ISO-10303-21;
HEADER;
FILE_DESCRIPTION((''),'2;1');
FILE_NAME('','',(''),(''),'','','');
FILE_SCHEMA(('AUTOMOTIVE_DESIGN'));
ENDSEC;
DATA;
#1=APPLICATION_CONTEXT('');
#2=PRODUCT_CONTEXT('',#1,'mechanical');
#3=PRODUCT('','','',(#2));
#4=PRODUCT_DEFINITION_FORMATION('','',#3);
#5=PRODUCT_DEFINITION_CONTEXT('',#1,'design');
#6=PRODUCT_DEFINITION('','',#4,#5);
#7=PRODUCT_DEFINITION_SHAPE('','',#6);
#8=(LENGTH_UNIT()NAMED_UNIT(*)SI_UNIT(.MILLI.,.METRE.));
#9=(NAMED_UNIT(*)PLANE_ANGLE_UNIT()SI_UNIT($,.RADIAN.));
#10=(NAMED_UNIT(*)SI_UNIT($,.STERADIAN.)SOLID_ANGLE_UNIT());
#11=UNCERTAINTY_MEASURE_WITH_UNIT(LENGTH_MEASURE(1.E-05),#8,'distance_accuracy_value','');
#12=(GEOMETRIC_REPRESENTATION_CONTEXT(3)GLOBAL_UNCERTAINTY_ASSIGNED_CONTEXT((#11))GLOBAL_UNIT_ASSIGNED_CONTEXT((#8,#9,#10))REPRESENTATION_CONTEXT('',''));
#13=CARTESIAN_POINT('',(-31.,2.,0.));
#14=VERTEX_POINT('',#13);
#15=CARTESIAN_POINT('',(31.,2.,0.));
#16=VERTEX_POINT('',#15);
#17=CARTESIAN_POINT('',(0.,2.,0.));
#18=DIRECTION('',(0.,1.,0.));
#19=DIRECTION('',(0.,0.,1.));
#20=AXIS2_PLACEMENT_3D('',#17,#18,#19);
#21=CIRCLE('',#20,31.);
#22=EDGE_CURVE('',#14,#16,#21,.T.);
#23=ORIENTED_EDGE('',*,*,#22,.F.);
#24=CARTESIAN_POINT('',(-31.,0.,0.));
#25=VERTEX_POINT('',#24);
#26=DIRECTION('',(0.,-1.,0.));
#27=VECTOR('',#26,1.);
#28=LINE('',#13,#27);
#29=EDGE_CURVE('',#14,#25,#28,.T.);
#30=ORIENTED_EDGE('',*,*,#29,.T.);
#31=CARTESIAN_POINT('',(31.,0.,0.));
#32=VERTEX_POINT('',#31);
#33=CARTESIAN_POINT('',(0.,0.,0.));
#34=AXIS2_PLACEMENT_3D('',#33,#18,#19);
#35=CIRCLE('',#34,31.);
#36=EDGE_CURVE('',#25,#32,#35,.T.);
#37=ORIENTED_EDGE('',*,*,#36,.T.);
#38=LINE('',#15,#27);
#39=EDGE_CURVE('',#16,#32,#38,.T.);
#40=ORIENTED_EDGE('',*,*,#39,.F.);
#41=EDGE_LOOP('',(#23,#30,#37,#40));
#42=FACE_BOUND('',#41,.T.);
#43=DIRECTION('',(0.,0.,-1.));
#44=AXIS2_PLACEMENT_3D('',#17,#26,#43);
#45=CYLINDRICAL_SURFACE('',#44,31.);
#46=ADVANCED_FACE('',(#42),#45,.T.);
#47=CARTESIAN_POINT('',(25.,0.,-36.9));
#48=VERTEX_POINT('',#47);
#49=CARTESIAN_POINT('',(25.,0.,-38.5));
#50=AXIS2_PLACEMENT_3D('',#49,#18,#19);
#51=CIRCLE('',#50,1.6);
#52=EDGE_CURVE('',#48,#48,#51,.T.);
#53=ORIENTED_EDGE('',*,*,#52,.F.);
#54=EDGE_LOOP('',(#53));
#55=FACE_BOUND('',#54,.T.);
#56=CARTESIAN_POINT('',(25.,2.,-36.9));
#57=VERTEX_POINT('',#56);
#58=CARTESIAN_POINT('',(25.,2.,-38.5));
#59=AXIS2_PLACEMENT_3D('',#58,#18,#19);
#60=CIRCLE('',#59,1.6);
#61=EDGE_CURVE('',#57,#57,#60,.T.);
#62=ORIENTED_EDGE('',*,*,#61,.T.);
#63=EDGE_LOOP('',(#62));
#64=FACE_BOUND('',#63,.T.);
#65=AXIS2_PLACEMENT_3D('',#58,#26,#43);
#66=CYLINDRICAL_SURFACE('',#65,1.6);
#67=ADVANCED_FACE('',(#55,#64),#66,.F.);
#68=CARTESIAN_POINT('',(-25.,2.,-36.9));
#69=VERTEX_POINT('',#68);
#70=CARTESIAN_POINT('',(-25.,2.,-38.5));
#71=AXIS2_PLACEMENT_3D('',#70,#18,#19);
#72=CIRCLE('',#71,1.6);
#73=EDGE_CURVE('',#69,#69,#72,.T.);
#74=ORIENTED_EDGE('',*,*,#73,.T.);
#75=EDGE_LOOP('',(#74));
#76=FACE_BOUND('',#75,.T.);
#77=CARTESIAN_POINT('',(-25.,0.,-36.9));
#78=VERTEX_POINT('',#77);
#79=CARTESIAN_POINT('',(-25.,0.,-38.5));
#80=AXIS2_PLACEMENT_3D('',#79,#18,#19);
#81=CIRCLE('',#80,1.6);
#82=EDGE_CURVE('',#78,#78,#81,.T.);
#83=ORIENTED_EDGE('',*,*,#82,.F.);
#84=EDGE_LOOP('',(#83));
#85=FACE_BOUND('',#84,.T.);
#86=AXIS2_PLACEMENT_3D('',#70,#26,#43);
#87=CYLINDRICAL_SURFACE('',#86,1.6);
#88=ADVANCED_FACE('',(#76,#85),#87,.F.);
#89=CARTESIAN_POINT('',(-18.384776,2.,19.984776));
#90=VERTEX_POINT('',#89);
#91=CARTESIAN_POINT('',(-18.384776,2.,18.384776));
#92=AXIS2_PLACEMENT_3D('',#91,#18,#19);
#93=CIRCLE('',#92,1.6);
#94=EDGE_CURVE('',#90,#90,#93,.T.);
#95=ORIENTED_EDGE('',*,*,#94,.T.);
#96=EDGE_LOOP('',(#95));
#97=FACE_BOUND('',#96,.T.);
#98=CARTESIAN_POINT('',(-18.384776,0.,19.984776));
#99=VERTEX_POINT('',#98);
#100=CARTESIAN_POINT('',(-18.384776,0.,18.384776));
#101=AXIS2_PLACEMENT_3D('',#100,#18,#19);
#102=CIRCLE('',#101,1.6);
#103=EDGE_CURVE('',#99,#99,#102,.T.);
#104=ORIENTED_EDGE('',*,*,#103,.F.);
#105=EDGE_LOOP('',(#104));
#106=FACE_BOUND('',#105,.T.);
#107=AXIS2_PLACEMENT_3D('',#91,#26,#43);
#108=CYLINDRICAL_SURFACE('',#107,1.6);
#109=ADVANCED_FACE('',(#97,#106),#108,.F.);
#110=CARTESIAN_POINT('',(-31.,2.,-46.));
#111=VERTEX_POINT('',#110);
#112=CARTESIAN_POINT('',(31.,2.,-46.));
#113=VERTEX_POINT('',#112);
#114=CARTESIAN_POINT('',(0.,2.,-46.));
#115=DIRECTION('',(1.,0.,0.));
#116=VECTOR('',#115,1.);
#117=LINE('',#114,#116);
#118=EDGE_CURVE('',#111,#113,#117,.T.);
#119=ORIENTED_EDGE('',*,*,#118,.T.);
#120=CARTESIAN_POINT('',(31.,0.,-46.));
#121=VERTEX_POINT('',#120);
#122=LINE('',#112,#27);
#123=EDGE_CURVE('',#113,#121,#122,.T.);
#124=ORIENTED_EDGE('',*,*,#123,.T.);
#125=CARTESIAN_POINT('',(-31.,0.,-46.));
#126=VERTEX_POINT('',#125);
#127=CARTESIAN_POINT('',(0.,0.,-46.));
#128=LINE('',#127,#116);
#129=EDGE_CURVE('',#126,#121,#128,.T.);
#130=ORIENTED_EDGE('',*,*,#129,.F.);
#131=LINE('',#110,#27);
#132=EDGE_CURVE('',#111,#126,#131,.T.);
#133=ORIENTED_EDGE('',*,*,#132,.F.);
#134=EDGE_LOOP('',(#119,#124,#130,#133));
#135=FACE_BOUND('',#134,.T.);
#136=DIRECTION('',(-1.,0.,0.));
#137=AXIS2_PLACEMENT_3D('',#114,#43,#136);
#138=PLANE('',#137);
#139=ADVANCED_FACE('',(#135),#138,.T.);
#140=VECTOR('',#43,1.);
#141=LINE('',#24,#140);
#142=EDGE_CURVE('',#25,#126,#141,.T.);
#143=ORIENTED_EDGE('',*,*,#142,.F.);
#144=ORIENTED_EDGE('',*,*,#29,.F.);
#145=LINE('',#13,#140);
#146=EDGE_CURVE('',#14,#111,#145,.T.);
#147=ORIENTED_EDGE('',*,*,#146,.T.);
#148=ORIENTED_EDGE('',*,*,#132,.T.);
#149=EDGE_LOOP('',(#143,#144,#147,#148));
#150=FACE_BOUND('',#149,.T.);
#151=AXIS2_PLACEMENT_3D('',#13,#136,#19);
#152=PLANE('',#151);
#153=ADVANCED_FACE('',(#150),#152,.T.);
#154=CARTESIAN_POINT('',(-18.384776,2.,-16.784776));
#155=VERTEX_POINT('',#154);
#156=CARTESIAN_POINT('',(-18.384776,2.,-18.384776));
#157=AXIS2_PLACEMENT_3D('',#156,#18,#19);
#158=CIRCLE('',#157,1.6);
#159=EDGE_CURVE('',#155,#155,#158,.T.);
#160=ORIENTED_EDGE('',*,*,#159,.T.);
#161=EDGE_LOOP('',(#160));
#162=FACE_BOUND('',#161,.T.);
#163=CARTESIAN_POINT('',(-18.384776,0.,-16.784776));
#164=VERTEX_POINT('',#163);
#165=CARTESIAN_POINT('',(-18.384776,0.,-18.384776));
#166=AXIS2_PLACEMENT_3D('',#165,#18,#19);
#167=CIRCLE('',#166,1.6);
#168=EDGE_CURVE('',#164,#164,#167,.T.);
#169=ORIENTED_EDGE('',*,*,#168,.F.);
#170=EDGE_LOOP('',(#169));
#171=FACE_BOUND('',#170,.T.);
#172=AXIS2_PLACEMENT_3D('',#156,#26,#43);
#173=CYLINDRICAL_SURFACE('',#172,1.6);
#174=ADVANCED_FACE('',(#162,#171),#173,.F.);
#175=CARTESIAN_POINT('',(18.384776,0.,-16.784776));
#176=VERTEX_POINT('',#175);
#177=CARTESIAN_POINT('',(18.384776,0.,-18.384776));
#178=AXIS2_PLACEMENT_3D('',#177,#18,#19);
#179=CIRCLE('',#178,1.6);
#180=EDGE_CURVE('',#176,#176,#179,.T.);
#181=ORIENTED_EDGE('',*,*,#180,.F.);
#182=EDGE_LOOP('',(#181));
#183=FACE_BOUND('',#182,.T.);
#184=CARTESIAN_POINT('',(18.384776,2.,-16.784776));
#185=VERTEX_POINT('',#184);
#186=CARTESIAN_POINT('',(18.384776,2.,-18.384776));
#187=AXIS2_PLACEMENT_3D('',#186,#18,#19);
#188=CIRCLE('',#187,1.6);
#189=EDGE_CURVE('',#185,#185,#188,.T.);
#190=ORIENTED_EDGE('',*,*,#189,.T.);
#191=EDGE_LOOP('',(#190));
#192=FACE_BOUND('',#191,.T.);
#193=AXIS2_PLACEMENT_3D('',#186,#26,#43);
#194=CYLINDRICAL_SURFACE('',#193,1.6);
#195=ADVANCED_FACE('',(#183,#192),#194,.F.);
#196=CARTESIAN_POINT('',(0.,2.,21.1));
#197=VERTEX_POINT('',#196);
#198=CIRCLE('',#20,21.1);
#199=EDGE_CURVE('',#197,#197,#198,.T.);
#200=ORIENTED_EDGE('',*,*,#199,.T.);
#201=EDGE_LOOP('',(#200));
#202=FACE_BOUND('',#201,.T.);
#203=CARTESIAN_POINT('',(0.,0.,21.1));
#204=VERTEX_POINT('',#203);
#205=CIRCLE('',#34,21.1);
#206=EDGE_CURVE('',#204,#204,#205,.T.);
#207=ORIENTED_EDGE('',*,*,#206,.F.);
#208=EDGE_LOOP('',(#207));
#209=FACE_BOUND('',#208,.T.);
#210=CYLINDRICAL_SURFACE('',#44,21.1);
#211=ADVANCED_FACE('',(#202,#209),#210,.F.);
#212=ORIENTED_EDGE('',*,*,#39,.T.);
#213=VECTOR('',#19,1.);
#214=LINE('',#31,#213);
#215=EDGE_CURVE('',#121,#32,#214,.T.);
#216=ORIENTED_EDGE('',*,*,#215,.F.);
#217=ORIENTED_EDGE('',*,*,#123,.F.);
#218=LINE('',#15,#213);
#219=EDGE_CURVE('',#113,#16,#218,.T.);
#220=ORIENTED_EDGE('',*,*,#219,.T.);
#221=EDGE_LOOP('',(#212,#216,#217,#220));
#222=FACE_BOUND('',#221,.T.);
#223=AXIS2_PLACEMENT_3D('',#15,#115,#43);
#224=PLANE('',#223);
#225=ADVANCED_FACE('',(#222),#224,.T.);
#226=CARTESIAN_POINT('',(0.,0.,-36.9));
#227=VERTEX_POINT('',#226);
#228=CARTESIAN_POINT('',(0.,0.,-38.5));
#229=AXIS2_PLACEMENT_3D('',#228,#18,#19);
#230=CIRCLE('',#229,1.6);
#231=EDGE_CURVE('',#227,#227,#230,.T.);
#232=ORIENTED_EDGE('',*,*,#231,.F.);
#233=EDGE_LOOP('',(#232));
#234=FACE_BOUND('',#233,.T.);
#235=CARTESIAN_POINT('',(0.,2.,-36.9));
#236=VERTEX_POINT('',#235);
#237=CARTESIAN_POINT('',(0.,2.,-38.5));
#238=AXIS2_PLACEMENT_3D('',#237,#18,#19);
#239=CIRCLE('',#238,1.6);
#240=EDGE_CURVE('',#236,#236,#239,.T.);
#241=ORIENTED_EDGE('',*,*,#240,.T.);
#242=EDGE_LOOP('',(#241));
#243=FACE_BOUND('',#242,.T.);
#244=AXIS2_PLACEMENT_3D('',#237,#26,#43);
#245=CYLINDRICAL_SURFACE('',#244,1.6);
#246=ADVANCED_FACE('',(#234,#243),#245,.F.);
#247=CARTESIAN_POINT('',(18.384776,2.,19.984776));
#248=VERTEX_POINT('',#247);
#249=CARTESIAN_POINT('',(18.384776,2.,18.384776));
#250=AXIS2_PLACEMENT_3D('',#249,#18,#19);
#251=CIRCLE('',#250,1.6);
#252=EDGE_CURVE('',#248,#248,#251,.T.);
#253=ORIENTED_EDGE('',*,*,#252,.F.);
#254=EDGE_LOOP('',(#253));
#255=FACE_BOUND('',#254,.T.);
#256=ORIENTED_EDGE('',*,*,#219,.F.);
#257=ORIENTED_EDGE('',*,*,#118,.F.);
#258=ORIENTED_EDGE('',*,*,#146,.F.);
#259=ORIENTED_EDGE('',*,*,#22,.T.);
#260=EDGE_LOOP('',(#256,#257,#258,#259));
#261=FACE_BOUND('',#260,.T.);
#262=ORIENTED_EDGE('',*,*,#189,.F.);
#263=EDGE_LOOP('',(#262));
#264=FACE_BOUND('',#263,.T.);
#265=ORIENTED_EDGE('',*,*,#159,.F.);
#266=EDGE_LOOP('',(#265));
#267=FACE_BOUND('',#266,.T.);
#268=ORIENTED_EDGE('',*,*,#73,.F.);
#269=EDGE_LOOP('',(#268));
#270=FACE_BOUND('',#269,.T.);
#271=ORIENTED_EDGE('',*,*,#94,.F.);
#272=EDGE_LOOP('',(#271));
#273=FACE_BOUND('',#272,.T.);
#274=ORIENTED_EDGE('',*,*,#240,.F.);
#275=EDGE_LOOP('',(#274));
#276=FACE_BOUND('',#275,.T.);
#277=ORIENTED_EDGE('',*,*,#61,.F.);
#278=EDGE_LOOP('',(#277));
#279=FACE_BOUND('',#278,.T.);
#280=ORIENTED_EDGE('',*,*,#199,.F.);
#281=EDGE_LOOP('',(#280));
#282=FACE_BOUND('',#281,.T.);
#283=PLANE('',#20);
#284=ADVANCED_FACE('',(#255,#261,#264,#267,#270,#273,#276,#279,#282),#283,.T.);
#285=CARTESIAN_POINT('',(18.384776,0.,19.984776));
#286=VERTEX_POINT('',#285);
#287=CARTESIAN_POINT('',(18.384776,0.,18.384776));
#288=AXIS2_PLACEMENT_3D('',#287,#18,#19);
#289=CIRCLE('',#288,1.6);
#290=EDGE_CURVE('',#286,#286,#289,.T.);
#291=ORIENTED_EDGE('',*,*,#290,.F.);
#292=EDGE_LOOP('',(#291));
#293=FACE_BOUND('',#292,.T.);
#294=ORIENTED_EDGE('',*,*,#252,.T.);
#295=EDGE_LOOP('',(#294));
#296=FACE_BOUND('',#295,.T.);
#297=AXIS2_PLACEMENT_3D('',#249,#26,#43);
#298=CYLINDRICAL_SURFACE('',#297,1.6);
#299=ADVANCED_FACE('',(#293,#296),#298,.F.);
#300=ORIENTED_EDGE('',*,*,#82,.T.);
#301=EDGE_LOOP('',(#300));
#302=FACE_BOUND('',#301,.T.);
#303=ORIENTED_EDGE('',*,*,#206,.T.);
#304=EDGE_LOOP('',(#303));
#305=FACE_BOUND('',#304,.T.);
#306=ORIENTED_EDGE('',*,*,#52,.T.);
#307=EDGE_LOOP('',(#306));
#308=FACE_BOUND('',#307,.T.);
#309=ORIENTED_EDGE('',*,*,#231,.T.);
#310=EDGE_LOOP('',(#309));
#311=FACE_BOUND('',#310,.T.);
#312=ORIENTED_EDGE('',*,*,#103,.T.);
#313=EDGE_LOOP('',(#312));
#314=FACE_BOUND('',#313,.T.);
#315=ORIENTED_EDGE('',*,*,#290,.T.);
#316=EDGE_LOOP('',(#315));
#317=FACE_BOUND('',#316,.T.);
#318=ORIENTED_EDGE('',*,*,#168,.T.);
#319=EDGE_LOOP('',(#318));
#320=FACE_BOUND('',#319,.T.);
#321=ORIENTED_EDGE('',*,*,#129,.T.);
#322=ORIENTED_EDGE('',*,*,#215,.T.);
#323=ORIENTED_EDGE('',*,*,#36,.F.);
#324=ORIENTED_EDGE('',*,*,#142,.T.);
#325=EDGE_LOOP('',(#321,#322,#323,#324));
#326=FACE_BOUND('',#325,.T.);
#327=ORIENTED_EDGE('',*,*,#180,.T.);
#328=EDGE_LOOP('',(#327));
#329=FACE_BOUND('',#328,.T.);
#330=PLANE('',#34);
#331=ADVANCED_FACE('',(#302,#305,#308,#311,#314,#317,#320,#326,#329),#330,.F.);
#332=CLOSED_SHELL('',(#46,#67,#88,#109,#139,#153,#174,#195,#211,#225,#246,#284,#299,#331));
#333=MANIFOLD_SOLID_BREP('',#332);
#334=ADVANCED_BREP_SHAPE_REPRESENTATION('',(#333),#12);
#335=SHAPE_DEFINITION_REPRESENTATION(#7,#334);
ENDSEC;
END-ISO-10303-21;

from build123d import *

# Parameters (mm, degrees)
SKETCH_1_R      = 1.6
SKETCH_1_R_2    = 31
SKETCH_1_R_3    = 21.1
EXTRUDE_1_DEPTH = 2


with BuildPart() as part:
    # 草图1 → 凸台-拉伸1 (new body)
    # profile 1 of 2: a face of its own
    with BuildSketch(Plane(origin=(0, 0, 0), x_dir=(1, 0, 0), z_dir=(0, 1, 0))):
        with BuildLine():
            Line((-31, 31), (-31, 0))
            ThreePointArc((-31, 0), (0, 31), (31, 0))
            Line((31, 0), (31, 31))
            Line((31, 31), (31, 46))
            Line((31, 46), (-31, 46))
            Line((-31, 46), (-31, 31))
        make_face()
        with Locations(Location((-25, 38.5, 0), (0, 0, 270))):
            Circle(SKETCH_1_R, mode=Mode.SUBTRACT)
        with Locations(Location((0, 38.5, 0), (0, 0, 270))):
            Circle(SKETCH_1_R, mode=Mode.SUBTRACT)
        with Locations(Location((25, 38.5, 0), (0, 0, 270))):
            Circle(SKETCH_1_R, mode=Mode.SUBTRACT)
    # profile 2 of 2: a face of its own
    with BuildSketch(Plane(origin=(0, 0, 0), x_dir=(1, 0, 0), z_dir=(0, 1, 0))):
        Circle(SKETCH_1_R_2)
        with Locations(Location((-18.384776311, 18.384776311, 0), (0, 0, 270))):
            Circle(SKETCH_1_R, mode=Mode.SUBTRACT)
        with Locations(Location((-18.384776311, -18.384776311, 0), (0, 0, 270))):
            Circle(SKETCH_1_R, mode=Mode.SUBTRACT)
        with Locations(Location((18.384776311, -18.384776311, 0), (0, 0, 270))):
            Circle(SKETCH_1_R, mode=Mode.SUBTRACT)
        with Locations(Location((18.384776311, 18.384776311, 0), (0, 0, 270))):
            Circle(SKETCH_1_R, mode=Mode.SUBTRACT)
        with Locations(Location((0, 0, 0), (0, 0, 270))):
            Circle(SKETCH_1_R_3, mode=Mode.SUBTRACT)
    extrude(amount=EXTRUDE_1_DEPTH)


solid = part.part
